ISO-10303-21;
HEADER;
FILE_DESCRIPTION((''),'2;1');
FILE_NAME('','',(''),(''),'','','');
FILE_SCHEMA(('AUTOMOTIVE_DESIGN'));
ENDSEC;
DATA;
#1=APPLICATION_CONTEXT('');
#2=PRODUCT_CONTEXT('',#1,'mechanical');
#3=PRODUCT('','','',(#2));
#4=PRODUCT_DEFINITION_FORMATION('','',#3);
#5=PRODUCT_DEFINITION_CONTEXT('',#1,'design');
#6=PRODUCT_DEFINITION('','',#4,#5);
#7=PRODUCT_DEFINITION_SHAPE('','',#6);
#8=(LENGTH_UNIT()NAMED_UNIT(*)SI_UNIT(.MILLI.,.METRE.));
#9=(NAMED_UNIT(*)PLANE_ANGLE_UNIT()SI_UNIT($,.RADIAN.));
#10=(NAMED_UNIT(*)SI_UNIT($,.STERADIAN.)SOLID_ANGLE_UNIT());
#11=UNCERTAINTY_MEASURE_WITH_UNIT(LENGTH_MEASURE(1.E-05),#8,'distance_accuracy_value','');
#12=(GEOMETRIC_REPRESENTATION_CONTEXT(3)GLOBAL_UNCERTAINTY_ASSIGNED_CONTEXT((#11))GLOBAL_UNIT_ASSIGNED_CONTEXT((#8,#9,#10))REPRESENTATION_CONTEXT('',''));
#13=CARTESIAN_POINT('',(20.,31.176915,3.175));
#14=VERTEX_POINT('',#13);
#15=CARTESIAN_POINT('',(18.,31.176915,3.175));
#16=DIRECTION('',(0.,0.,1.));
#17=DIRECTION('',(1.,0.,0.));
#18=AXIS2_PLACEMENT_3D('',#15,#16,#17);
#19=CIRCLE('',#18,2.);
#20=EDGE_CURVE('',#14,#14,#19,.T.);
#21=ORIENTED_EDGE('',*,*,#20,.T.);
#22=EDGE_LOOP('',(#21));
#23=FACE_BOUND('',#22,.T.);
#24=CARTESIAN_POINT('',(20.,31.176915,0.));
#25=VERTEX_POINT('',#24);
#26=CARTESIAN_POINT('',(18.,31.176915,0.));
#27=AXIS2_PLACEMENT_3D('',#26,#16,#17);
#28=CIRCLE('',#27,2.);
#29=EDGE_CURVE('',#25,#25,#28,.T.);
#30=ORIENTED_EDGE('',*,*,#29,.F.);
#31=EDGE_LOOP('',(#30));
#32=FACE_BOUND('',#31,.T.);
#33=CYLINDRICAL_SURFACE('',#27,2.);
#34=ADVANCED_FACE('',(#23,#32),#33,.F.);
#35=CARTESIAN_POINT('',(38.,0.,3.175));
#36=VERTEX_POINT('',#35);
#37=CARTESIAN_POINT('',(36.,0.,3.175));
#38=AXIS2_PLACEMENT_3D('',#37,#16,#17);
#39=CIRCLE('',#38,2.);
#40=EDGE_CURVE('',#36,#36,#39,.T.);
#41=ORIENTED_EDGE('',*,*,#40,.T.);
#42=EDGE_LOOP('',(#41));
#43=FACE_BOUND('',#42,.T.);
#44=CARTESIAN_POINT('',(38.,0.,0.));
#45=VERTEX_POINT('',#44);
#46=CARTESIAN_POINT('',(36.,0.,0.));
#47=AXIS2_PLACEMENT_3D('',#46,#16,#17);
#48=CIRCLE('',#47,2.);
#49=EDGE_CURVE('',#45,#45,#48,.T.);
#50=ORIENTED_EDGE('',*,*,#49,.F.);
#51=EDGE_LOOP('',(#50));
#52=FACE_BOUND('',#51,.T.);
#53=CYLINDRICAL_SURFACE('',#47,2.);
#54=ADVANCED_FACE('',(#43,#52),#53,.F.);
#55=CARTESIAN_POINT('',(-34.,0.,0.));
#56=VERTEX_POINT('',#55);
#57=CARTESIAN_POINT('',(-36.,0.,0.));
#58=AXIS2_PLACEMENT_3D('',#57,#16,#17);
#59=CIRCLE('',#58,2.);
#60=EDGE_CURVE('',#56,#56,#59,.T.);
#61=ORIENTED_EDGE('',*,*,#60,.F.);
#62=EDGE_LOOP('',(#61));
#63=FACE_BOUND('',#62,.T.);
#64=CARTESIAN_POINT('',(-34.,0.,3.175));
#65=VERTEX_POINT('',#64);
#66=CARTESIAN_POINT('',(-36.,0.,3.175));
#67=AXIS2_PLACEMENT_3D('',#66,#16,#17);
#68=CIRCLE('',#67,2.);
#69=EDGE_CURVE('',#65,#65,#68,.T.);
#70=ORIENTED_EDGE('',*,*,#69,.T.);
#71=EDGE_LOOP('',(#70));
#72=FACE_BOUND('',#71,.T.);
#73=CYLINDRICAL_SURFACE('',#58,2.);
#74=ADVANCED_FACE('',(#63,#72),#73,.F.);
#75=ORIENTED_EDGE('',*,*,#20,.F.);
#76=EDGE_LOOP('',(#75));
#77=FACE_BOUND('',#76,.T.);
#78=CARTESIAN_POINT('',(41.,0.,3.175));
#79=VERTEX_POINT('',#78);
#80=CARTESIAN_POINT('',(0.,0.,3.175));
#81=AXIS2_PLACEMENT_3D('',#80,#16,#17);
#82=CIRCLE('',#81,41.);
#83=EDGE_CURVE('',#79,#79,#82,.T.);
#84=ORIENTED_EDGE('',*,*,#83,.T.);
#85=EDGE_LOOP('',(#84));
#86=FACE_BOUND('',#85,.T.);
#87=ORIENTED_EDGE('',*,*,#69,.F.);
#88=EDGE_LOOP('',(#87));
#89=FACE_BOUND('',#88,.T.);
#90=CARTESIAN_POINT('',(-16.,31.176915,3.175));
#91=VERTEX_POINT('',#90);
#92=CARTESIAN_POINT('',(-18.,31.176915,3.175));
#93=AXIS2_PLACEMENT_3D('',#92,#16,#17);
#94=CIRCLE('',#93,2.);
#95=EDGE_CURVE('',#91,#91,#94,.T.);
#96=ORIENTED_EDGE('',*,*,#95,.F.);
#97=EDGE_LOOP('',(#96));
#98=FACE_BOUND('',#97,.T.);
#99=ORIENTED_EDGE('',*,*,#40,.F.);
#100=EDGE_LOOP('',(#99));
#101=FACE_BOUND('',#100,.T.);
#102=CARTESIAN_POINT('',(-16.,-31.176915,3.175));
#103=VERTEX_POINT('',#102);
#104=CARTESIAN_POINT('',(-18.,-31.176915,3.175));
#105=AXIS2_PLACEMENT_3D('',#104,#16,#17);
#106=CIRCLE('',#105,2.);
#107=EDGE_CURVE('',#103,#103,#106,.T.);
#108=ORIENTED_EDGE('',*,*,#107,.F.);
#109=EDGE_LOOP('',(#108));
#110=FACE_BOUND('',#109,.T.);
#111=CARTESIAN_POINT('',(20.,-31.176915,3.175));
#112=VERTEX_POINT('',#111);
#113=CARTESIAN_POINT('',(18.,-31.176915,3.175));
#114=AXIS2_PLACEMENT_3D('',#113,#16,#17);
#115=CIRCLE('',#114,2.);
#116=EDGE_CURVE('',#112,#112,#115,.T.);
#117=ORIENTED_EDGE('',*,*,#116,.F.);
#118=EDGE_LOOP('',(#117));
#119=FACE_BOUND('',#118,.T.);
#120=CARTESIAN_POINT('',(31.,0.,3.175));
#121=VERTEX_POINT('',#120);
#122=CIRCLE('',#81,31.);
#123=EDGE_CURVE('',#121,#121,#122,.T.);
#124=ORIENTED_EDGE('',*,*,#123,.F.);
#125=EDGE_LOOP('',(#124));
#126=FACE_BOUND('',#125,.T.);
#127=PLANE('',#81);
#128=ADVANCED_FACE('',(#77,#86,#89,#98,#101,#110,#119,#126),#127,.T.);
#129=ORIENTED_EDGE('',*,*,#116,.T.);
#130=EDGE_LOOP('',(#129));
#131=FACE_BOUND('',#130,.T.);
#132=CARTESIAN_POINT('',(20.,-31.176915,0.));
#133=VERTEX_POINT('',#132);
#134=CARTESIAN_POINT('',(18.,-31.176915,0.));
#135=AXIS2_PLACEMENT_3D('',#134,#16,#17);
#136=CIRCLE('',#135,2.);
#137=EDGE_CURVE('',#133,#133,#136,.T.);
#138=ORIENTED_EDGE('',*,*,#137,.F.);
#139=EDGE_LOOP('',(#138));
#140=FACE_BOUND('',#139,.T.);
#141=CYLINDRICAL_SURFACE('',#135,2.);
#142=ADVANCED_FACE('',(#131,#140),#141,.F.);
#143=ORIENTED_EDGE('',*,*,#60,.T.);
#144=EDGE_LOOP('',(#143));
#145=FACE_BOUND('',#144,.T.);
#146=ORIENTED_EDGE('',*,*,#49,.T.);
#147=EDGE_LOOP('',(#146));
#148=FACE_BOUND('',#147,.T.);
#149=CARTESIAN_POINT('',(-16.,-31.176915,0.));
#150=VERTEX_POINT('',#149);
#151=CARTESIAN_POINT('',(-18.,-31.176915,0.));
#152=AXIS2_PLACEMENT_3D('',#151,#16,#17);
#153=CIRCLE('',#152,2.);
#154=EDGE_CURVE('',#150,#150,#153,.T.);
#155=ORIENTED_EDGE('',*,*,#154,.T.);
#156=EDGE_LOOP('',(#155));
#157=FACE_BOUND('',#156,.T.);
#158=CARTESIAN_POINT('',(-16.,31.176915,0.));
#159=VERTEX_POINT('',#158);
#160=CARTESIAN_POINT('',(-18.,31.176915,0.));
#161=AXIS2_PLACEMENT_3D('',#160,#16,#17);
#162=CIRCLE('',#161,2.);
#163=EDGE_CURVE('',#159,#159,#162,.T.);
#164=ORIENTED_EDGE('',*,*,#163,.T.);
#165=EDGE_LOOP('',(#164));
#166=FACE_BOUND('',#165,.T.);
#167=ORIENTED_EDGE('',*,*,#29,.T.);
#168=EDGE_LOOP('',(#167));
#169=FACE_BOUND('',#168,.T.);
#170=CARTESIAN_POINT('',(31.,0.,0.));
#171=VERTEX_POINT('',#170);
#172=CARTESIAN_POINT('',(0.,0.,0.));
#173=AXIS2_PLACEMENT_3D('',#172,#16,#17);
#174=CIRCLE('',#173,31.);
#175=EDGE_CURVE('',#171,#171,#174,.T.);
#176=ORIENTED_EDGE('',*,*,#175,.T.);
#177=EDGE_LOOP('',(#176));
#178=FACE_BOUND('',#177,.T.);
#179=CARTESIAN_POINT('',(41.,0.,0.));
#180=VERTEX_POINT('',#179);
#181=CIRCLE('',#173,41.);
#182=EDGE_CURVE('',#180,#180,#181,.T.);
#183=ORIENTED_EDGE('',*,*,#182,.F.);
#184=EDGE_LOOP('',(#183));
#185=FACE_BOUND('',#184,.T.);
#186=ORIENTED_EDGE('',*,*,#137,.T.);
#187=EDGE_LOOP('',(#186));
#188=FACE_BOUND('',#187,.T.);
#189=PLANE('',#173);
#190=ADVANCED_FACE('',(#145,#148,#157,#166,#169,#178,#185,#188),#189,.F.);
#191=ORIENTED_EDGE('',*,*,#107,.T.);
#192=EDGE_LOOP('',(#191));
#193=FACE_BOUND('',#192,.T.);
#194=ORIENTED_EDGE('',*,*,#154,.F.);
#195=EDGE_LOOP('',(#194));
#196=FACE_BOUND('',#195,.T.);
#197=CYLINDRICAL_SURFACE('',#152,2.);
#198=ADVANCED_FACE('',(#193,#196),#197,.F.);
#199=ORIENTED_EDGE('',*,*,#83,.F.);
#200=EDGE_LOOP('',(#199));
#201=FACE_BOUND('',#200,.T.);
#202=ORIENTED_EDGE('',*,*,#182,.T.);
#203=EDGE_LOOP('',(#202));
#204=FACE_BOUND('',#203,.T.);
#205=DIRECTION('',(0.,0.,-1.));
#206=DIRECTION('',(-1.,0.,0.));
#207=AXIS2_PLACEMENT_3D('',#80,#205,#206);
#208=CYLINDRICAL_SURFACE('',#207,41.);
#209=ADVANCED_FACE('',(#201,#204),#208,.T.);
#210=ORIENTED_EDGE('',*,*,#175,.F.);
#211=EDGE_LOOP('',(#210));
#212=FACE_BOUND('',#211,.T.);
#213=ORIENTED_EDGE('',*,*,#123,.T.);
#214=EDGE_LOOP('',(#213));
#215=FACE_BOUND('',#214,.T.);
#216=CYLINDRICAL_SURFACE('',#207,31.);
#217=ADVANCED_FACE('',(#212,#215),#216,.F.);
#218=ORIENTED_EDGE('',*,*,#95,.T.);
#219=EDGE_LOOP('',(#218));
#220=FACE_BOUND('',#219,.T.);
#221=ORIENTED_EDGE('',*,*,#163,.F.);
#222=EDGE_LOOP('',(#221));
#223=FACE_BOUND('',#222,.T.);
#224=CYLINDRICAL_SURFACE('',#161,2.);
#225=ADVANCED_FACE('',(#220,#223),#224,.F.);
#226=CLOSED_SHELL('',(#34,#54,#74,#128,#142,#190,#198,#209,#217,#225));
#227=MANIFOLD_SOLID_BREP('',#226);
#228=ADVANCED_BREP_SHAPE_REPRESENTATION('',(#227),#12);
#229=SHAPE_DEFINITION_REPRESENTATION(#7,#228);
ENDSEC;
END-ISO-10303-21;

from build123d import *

# Parameters (mm, degrees)
SKETCH1_R           = 41
SKETCH1_R_2         = 31
BOSS_EXTRUDE1_DEPTH = 3.175
SKETCH2_R           = 2
CUT_EXTRUDE2_DEPTH  = 4.175


with BuildPart() as part:
    # Sketch1 → Boss-Extrude1 (new body)
    with BuildSketch(Plane.XY):
        Circle(SKETCH1_R)
        Circle(SKETCH1_R_2, mode=Mode.SUBTRACT)
    extrude(amount=BOSS_EXTRUDE1_DEPTH)

    # Sketch2 → Cut-Extrude2 (cut, through all)
    with BuildSketch(Plane.XY.offset(3.175)):
        with Locations((-18, 31.176914536)):
            Circle(SKETCH2_R)
        with Locations((18, 31.176914536)):
            Circle(SKETCH2_R)
        with Locations((36, 0)):
            Circle(SKETCH2_R)
        with Locations((18, -31.176914536)):
            Circle(SKETCH2_R)
        with Locations((-18, -31.176914536)):
            Circle(SKETCH2_R)
        with Locations((-36, 0)):
            Circle(SKETCH2_R)
    extrude(amount=-CUT_EXTRUDE2_DEPTH, mode=Mode.SUBTRACT)


solid = part.part
